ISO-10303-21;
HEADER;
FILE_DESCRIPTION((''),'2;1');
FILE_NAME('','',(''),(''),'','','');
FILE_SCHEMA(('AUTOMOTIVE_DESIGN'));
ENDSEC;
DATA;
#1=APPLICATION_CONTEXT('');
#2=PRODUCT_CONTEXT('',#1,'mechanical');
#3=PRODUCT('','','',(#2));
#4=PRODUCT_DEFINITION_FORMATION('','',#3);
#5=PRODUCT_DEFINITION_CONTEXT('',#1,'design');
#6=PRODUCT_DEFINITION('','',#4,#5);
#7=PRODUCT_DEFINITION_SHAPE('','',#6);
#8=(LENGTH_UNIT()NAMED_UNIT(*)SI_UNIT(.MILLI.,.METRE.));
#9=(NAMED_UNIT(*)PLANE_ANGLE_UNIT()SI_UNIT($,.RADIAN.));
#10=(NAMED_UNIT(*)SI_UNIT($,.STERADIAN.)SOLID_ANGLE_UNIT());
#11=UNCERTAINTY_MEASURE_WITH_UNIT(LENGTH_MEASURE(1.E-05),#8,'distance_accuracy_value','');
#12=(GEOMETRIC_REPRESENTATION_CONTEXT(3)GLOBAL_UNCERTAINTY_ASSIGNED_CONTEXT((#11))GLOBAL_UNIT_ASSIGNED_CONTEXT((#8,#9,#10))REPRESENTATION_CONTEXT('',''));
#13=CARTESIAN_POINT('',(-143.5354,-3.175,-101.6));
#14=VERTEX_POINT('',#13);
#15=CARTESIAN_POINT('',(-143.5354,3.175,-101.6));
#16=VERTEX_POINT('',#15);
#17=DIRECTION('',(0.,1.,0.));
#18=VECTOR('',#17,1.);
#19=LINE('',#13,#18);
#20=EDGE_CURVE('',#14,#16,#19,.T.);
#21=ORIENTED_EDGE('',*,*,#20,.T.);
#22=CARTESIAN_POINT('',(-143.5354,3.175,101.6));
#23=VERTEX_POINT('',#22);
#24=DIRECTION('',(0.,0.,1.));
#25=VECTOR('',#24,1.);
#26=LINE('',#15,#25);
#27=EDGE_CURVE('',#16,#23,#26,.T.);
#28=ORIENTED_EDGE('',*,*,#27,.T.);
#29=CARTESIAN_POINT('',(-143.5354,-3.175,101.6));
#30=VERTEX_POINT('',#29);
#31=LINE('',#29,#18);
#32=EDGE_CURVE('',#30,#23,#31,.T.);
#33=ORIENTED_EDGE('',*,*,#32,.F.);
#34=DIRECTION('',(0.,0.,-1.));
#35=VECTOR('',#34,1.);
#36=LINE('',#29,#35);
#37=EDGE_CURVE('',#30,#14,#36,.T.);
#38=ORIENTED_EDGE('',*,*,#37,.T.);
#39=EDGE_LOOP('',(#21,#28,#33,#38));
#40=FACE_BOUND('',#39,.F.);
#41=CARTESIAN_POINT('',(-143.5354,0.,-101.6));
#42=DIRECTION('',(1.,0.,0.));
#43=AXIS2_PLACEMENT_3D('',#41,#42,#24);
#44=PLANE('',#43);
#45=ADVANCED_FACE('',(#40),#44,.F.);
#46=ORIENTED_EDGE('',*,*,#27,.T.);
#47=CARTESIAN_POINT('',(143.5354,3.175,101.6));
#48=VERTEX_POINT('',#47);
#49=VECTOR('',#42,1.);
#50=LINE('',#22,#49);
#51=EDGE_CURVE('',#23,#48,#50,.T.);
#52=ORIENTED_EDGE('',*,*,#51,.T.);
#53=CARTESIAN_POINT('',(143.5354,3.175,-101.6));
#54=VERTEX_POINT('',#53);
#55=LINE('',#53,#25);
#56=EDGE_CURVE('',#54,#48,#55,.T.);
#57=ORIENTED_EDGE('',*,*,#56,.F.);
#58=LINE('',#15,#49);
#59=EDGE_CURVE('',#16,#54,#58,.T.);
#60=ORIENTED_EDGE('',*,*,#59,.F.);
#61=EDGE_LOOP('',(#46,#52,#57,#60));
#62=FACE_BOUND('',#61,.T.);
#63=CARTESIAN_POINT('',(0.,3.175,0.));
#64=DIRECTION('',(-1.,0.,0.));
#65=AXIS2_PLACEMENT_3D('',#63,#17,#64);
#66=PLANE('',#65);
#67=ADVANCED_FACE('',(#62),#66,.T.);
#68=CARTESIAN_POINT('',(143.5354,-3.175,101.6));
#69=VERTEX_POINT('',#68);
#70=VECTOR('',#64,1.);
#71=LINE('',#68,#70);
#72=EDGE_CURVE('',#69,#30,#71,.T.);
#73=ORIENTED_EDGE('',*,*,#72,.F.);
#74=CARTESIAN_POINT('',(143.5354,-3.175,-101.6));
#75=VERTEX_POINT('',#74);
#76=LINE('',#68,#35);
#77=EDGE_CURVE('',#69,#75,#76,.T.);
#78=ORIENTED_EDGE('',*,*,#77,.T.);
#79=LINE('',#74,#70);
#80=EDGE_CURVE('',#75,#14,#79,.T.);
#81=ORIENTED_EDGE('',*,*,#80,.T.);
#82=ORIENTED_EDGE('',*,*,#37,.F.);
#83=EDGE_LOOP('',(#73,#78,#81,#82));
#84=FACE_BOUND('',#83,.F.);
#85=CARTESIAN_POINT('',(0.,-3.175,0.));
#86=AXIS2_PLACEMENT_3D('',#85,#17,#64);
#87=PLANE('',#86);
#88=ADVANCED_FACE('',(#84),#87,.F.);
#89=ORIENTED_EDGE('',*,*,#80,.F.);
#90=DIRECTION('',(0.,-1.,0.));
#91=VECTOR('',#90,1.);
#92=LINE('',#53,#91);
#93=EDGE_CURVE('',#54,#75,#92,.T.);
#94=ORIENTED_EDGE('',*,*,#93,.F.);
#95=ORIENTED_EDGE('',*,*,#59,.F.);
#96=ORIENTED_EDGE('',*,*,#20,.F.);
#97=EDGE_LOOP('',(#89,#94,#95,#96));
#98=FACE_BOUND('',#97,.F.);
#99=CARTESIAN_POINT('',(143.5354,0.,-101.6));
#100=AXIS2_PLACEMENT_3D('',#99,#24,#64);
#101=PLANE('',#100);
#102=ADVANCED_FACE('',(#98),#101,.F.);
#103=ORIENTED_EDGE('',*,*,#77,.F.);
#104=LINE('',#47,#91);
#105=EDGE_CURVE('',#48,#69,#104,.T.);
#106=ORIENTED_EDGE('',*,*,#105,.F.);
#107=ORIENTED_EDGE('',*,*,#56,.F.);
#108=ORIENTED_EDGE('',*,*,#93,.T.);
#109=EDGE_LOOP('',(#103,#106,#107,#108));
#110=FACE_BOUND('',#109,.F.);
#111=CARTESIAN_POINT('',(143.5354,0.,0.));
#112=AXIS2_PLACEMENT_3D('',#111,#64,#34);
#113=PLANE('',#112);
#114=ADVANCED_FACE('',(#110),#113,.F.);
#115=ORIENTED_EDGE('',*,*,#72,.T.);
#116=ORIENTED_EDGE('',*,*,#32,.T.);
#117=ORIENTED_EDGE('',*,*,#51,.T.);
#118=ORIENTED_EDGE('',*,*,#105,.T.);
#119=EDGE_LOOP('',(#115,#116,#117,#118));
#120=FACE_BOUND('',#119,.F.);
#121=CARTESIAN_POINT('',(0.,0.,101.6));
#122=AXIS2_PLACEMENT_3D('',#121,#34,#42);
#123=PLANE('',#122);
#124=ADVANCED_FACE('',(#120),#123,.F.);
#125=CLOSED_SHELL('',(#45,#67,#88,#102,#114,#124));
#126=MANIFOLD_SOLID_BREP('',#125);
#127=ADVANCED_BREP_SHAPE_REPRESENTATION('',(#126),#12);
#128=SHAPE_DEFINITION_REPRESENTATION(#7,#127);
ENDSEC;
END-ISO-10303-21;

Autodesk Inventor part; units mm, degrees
ref_plane "YZ Plane" through (0, 0, 0) normal (1, 0, 0) x (0, 1, 0)
ref_plane "XZ Plane" through (0, 0, 0) normal (0, 1, 0) x (-1, 0, 0)
ref_plane "XY Plane" through (0, 0, 0) normal (0, 0, 1) x (1, 0, 0)
sketch "Sketch1" plane through (0, 0, 0) normal (0, 1, 0) x (-1, 0, 0)
  line L0 (0, -142.24) -> (0, 142.24) projected
  line L1 (-200.9496, 0) -> (200.9496, 0) projected
  line L2 (143.5354, 101.6) -> (-143.5354, 101.6)
  line L3 (-143.5354, 101.6) -> (-143.5354, -101.6)
  line L4 (-143.5354, -101.6) -> (143.5354, -101.6)
  line L5 (143.5354, -101.6) -> (143.5354, 101.6)
  line L6 (143.5354, 101.6) -> (-143.5354, -101.6) construction
  line L7 (-143.5354, 101.6) -> (143.5354, -101.6) construction
  point P0 (0, 0)
  dimension "d0" = 287.0708
  dimension "d1" = 203.2
extrude "Extrusion1" add sketch "Sketch1" along normal mid plane 6.35
properties part number "MLMRSMLSMR"
